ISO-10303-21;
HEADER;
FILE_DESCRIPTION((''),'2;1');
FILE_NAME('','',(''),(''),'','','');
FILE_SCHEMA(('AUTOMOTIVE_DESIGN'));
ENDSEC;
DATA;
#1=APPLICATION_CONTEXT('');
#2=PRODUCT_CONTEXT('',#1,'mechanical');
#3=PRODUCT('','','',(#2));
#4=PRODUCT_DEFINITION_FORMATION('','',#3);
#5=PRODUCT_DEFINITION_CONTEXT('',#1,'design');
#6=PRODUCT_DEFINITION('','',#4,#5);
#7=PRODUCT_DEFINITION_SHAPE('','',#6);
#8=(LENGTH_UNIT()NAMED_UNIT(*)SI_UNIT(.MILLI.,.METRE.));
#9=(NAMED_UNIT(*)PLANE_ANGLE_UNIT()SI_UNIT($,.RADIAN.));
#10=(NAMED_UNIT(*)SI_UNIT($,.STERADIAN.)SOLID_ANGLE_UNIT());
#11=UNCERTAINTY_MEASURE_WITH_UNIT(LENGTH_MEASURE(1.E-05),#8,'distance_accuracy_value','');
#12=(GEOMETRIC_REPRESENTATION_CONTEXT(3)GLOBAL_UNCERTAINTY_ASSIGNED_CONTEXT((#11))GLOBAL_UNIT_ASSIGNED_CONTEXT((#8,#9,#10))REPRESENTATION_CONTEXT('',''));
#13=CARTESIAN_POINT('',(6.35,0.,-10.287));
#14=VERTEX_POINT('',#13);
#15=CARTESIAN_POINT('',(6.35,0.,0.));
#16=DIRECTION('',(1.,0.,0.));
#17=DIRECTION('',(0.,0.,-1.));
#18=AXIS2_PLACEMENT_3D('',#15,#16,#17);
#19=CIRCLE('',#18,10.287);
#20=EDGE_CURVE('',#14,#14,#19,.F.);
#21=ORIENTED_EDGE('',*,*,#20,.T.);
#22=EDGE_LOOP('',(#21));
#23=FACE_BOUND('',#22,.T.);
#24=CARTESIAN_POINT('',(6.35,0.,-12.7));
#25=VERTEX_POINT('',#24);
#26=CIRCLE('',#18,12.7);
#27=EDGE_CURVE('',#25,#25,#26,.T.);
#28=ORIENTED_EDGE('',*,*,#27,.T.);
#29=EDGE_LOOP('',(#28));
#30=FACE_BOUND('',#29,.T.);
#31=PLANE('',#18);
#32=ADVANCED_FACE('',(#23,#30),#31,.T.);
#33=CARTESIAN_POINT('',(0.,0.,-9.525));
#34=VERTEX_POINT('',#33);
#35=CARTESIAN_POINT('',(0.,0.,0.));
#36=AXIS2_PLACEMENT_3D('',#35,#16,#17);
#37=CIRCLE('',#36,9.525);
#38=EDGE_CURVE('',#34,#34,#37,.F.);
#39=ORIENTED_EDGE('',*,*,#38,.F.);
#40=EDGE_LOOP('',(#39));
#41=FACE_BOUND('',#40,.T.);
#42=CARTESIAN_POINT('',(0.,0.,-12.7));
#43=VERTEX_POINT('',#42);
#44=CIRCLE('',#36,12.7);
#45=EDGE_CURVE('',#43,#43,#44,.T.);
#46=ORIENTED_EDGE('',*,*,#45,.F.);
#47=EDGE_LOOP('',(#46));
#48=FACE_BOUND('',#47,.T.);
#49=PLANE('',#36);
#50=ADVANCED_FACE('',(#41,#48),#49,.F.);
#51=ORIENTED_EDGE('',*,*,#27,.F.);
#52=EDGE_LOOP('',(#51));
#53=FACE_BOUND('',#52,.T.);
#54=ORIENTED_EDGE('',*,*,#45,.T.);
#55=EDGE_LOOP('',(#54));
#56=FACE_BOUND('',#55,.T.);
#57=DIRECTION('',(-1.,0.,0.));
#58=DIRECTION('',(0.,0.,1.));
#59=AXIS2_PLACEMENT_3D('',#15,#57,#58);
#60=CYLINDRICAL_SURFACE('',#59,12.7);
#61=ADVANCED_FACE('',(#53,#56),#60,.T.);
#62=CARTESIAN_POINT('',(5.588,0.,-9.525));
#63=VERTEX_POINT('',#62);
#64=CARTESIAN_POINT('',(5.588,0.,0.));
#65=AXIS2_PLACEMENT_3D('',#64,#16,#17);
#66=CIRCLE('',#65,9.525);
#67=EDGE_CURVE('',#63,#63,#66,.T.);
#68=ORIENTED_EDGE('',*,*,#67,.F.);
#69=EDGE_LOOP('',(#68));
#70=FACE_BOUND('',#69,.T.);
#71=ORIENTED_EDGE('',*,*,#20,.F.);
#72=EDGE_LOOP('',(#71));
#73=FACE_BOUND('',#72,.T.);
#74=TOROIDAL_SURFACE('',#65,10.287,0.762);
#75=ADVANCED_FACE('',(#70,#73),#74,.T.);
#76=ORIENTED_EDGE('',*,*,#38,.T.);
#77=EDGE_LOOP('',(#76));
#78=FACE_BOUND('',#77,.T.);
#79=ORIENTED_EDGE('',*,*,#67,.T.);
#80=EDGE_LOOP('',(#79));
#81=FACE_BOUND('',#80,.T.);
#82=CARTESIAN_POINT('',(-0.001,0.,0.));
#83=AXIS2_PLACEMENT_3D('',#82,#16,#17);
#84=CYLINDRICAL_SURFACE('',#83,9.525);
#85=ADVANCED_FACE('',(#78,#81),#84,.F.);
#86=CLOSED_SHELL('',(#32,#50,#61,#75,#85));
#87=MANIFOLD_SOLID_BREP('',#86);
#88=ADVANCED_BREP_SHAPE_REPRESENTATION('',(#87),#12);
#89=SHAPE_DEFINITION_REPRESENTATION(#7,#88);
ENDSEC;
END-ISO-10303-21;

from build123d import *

# Parameters (mm, degrees)
SKETCH1_R           = 12.7
BOSS_EXTRUDE1_DEPTH = 6.35
CUT_EXTRUDE1_REACH  = 21.05
SKETCH2_R           = 9.525
FILLET1_R           = 0.762


with BuildPart() as part:
    # Sketch1 → Boss-Extrude1 (new body)
    with BuildSketch(Plane(origin=(0, 0, 0), x_dir=(0, 0, -1), z_dir=(1, 0, 0))):
        Circle(SKETCH1_R)
    extrude(amount=BOSS_EXTRUDE1_DEPTH)

    # Sketch2 → Cut-Extrude1 (cut, up to next)
    with BuildSketch(Plane(origin=(6.35, 0, 0), x_dir=(0, 0, -1), z_dir=(1, 0, 0)), mode=Mode.PRIVATE) as cut_extrude1_sk1:
        Circle(SKETCH2_R)
    cut_extrude1_tool1 = extrude(cut_extrude1_sk1.sketch, amount=-CUT_EXTRUDE1_REACH, mode=Mode.PRIVATE) & part.part
    add(cut_extrude1_tool1.solids().sort_by_distance((6.35, 0, 0))[0], mode=Mode.SUBTRACT)

    # Fillet1
    fillet1_edges = [part.edges().sort_by_distance(p)[0] for p in [
        (6.35, 0, 9.525),
    ]]
    fillet(fillet1_edges, radius=FILLET1_R)


solid = part.part
